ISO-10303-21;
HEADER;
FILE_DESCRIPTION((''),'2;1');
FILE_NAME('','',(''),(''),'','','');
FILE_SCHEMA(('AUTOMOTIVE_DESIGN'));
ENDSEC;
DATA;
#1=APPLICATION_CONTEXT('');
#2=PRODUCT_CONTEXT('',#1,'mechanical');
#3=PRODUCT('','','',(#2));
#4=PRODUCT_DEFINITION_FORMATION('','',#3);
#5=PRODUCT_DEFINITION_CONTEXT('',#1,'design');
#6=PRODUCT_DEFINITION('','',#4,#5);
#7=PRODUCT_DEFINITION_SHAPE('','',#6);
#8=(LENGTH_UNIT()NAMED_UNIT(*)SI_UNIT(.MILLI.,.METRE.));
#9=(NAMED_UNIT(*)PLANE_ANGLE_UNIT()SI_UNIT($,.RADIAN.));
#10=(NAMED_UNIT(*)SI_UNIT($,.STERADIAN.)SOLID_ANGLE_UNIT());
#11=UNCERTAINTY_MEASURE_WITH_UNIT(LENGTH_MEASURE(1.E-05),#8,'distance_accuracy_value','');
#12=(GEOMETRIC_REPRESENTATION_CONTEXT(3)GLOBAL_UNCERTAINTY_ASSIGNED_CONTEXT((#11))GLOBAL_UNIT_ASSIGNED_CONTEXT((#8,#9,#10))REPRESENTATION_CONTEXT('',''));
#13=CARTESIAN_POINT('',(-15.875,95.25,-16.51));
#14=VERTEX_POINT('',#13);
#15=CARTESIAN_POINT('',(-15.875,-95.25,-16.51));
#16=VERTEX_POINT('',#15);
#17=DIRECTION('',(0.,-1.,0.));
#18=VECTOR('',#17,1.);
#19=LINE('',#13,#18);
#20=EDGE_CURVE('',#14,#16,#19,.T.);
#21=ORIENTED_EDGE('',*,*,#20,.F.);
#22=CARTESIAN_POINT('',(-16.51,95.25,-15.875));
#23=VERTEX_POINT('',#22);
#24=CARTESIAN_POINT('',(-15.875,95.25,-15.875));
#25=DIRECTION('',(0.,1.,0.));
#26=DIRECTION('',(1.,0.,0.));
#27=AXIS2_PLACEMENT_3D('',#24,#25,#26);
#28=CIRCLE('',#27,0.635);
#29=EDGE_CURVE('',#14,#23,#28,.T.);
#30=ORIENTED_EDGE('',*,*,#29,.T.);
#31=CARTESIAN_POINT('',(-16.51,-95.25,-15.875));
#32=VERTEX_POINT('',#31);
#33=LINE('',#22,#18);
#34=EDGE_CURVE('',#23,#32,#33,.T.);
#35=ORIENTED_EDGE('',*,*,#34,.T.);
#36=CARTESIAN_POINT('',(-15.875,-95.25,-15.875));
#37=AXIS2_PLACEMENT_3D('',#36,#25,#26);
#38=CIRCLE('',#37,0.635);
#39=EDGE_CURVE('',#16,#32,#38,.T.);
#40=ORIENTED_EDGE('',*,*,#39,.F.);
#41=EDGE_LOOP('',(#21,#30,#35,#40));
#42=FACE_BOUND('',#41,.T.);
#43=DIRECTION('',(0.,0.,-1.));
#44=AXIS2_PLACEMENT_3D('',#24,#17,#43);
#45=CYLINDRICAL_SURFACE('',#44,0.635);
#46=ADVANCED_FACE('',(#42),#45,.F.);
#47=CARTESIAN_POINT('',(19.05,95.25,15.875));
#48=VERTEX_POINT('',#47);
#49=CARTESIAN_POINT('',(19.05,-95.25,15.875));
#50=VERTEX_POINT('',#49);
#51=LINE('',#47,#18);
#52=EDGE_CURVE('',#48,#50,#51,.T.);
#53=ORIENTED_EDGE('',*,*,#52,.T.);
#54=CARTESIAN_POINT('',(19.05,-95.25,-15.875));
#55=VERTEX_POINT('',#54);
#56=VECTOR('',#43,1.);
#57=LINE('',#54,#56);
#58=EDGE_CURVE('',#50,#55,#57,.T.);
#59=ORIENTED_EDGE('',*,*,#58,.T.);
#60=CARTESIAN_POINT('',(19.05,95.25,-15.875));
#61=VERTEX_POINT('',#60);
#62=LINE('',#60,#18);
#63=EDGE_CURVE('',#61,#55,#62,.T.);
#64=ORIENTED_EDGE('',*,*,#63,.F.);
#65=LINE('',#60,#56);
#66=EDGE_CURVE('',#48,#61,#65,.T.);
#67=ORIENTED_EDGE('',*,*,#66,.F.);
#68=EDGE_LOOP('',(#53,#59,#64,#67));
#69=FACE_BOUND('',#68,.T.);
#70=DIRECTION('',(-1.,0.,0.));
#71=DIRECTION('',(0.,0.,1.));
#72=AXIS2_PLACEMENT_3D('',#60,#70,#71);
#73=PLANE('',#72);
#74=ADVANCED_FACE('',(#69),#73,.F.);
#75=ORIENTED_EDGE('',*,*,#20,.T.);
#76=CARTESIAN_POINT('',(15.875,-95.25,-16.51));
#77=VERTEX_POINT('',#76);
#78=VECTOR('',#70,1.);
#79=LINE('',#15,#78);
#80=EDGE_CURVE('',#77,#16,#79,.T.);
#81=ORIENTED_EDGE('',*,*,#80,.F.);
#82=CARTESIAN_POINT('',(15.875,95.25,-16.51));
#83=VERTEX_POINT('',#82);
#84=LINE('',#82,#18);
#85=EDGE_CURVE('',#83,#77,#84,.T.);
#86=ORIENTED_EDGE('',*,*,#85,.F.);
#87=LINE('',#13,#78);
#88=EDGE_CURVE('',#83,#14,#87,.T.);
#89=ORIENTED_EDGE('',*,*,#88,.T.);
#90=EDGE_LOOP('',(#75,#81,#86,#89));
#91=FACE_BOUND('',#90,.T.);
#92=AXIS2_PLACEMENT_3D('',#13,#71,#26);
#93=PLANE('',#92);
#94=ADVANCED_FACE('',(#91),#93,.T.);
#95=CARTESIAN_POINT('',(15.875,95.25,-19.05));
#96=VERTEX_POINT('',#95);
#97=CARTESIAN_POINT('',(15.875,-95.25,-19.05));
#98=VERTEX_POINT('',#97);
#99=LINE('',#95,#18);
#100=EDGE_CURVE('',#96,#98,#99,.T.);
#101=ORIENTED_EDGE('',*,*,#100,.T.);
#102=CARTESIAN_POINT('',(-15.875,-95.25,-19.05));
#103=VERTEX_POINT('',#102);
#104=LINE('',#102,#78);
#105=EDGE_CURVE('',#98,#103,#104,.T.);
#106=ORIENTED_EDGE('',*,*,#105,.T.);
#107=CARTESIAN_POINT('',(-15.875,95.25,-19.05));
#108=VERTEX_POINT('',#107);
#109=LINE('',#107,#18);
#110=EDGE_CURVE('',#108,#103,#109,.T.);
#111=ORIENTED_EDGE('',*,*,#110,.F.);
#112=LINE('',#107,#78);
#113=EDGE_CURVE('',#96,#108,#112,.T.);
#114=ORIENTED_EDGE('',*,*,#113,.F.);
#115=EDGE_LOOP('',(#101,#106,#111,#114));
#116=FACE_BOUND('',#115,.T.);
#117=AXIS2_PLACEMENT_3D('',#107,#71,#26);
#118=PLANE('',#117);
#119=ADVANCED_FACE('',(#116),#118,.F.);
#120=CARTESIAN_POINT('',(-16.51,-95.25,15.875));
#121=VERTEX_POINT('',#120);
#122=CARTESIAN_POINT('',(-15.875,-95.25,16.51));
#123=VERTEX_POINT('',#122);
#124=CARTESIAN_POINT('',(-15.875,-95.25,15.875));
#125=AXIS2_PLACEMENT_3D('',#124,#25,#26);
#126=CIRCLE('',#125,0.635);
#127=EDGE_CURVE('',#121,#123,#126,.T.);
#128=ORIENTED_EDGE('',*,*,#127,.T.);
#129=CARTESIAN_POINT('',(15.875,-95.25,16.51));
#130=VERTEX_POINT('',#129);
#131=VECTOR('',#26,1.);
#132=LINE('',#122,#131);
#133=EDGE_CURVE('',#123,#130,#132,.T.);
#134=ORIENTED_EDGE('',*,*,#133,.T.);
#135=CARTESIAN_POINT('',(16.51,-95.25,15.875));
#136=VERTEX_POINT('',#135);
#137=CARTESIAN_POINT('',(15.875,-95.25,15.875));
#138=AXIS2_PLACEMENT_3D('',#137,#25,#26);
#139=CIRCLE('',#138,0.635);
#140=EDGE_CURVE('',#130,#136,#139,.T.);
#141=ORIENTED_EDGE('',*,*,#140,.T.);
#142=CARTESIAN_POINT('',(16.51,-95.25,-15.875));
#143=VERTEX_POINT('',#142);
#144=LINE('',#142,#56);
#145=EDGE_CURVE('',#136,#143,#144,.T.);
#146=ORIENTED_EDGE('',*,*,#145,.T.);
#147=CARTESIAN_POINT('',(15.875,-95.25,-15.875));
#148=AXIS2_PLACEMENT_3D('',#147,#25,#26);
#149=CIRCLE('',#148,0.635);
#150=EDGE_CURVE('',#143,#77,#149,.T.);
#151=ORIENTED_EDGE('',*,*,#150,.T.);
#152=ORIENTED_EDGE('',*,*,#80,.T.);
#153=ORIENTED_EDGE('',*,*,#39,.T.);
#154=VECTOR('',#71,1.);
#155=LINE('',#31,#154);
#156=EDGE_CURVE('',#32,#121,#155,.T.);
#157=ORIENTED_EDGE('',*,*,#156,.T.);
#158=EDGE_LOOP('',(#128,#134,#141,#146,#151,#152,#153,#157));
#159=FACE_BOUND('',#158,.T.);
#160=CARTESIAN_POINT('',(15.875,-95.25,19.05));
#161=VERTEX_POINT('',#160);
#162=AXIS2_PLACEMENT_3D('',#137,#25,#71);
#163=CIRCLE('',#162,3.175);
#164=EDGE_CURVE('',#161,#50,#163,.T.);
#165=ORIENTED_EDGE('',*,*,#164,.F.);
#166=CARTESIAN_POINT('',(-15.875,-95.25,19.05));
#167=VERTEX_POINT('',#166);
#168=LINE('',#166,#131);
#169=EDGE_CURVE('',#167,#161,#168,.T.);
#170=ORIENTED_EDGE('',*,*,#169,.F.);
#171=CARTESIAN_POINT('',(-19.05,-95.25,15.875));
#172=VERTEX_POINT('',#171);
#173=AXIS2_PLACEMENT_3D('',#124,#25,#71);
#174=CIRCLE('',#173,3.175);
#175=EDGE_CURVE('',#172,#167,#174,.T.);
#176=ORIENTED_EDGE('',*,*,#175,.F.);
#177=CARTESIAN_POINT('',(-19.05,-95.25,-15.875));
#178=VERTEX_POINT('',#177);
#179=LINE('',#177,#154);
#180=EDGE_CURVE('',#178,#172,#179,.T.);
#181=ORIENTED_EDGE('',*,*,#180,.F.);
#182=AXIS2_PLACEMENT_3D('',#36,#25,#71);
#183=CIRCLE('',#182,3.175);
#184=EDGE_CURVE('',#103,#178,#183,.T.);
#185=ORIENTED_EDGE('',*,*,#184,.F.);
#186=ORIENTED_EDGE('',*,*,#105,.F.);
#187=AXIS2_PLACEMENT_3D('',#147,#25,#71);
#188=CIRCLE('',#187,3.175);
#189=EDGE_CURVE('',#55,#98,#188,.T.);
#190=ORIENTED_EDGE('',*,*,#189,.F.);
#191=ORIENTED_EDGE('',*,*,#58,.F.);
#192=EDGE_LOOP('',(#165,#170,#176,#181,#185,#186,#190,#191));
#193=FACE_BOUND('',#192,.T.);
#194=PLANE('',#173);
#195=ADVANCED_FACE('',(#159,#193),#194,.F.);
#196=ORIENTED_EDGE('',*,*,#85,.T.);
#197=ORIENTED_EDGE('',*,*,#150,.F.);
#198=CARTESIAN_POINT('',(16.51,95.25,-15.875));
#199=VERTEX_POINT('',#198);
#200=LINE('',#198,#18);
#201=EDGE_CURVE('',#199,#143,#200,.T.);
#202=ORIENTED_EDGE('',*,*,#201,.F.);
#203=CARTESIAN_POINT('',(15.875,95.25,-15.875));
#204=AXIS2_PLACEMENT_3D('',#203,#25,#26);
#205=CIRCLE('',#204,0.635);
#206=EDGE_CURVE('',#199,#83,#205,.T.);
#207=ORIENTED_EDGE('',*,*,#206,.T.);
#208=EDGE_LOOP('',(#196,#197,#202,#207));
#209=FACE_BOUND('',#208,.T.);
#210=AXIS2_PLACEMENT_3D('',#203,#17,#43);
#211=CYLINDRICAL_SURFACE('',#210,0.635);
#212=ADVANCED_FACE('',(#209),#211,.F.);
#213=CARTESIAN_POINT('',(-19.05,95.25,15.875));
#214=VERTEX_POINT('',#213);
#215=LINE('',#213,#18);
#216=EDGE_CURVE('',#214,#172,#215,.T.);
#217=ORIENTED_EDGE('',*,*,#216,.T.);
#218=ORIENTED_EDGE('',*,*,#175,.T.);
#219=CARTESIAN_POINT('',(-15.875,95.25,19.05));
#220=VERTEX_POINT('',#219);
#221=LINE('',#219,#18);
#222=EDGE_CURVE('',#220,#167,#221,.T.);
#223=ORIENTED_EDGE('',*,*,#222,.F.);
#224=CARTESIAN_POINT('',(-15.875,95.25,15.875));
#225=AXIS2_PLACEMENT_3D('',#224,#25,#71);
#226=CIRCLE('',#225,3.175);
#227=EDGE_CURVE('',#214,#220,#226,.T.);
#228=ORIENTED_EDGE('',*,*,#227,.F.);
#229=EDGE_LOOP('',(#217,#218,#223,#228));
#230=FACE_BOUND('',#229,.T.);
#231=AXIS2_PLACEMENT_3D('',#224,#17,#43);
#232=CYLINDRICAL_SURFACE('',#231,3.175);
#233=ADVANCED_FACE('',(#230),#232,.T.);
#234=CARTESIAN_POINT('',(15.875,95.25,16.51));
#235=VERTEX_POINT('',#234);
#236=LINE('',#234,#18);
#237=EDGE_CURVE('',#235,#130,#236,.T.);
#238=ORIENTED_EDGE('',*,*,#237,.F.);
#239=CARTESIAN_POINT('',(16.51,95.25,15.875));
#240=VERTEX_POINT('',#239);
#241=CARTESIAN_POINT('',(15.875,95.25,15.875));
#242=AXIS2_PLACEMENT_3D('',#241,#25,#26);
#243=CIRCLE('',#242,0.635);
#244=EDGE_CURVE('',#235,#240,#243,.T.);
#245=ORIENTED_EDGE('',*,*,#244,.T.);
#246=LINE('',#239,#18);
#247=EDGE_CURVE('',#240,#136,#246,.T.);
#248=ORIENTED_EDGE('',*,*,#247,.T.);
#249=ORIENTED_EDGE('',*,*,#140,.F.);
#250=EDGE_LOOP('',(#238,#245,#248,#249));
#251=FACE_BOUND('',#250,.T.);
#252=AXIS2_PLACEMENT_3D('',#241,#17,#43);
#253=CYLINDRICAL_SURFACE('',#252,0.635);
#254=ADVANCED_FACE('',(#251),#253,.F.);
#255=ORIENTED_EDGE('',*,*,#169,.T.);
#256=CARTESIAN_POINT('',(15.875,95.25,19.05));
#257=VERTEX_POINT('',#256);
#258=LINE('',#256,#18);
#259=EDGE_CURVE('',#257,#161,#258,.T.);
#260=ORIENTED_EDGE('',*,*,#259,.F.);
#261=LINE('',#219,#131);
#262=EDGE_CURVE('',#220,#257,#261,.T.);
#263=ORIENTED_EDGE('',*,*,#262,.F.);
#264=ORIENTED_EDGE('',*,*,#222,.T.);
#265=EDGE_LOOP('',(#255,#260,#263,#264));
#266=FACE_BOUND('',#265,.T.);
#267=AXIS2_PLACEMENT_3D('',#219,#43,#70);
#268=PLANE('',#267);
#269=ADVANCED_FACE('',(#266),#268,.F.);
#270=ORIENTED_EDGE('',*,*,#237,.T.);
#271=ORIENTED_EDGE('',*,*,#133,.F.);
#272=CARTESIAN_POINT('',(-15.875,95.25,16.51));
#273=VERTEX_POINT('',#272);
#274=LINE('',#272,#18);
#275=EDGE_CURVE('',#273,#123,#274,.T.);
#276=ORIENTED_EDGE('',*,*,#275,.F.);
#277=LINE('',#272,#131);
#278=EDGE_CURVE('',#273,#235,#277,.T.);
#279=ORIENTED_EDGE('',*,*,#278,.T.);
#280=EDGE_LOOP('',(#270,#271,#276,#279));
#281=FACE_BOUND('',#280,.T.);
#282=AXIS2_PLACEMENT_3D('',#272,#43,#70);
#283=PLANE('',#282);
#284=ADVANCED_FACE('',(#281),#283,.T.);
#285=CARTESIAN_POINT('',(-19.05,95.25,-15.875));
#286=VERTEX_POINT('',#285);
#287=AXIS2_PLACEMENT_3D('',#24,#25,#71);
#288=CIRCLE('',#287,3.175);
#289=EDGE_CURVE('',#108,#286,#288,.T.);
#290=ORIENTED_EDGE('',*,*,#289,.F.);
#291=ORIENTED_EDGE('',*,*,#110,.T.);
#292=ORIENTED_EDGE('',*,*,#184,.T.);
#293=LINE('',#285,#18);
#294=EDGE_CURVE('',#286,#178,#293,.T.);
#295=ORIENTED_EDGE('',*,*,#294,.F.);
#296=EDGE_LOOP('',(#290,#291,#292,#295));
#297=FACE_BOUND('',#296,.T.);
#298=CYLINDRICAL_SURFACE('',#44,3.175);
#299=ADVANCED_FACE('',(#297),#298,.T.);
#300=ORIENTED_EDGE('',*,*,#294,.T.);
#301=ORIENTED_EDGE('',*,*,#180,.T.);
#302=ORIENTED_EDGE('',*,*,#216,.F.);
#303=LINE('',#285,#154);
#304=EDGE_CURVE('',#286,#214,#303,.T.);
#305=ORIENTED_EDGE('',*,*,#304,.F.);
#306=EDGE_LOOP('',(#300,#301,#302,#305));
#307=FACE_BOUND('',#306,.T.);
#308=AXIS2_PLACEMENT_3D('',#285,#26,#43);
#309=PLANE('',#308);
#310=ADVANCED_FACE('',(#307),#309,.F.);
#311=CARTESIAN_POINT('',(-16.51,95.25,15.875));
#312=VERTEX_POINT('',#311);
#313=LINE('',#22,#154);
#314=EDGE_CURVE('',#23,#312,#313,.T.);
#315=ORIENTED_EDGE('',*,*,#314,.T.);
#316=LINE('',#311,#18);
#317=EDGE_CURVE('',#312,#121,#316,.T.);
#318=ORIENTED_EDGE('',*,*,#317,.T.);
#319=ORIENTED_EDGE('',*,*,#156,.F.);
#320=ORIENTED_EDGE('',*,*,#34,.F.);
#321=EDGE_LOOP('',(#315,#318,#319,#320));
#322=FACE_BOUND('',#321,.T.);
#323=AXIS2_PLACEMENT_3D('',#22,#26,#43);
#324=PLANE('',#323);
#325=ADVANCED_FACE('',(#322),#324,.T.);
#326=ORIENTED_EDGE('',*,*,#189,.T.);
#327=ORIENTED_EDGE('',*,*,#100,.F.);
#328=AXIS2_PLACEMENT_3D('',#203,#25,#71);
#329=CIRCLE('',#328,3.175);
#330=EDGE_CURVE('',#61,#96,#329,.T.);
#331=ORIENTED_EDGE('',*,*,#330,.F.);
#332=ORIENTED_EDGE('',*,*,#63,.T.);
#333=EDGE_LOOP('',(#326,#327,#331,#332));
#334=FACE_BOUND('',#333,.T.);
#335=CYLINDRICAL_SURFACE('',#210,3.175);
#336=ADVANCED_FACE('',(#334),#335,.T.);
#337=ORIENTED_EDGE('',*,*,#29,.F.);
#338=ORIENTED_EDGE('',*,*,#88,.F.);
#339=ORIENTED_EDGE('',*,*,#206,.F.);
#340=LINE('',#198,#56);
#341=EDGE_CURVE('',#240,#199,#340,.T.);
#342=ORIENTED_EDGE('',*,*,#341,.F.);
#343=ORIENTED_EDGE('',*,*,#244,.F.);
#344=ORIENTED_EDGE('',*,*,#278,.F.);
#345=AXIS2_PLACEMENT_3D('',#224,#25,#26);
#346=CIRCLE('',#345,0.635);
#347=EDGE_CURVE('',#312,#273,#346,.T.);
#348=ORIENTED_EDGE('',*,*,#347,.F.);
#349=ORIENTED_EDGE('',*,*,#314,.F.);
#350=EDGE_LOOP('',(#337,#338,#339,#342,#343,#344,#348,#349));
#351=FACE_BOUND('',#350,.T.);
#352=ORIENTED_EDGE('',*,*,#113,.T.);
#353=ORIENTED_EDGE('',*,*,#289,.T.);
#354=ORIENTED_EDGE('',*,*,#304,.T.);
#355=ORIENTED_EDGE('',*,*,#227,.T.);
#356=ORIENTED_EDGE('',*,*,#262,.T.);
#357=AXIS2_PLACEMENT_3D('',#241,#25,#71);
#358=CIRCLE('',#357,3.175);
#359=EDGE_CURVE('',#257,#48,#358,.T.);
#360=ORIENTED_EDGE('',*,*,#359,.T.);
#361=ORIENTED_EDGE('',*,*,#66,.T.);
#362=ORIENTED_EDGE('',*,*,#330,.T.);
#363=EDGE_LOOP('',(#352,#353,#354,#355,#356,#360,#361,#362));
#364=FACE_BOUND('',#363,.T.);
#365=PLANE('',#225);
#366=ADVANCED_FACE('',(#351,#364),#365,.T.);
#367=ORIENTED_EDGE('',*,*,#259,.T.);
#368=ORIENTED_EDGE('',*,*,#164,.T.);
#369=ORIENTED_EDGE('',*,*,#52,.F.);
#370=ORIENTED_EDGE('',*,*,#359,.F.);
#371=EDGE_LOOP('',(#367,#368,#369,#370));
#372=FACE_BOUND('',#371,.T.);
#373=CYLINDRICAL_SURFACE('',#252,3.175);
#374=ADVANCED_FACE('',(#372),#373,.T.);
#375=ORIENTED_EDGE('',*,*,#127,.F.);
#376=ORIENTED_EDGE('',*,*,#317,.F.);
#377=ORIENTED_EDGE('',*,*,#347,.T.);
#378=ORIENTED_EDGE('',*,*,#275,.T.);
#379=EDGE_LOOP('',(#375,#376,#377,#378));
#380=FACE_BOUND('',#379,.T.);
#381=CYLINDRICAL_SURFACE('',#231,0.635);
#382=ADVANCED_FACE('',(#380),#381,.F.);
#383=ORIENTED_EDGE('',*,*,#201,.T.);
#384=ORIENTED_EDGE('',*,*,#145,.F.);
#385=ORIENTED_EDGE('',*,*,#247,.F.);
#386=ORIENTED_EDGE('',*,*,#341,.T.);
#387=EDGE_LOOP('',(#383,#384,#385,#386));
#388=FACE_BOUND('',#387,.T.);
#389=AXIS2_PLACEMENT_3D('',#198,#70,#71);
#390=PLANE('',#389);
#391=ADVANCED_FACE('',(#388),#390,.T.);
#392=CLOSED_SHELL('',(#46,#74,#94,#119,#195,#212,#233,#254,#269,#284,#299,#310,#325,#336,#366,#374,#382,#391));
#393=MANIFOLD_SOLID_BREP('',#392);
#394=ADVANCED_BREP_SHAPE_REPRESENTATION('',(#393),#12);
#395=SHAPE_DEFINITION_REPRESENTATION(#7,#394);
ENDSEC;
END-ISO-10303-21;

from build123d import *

# Parameters (mm, degrees)
EXTRUDE_THIN1_DEPTH = 95.25


with BuildPart() as part:
    # Sketch1 → Extrude-Thin1 (new body, symmetric)
    with BuildSketch(Plane(origin=(0, 0, 0), x_dir=(1, 0, 0), z_dir=(0, 1, 0))):
        with BuildLine():
            Line((-15.875, 19.05), (15.875, 19.05))
            ThreePointArc((15.875, 19.05), (18.12006403, 18.12006403), (19.05, 15.875))
            Line((19.05, 15.875), (19.05, -15.875))
            ThreePointArc((19.05, -15.875), (18.12006403, -18.12006403), (15.875, -19.05))
            Line((15.875, -19.05), (-15.875, -19.05))
            ThreePointArc((-15.875, -19.05), (-18.12006403, -18.12006403), (-19.05, -15.875))
            Line((-19.05, -15.875), (-19.05, 15.875))
            ThreePointArc((-19.05, 15.875), (-18.12006403, 18.12006403), (-15.875, 19.05))
        make_face()
        with BuildLine():
            Line((-15.875, 16.51), (15.875, 16.51))
            ThreePointArc((15.875, 16.51), (16.324012806, 16.324012806), (16.51, 15.875))
            Line((16.51, 15.875), (16.51, -15.875))
            ThreePointArc((16.51, -15.875), (16.324012806, -16.324012806), (15.875, -16.51))
            Line((15.875, -16.51), (-15.875, -16.51))
            ThreePointArc((-15.875, -16.51), (-16.324012806, -16.324012806), (-16.51, -15.875))
            Line((-16.51, -15.875), (-16.51, 15.875))
            ThreePointArc((-16.51, 15.875), (-16.324012806, 16.324012806), (-15.875, 16.51))
        make_face(mode=Mode.SUBTRACT)
    extrude(amount=EXTRUDE_THIN1_DEPTH, both=True)


solid = part.part
